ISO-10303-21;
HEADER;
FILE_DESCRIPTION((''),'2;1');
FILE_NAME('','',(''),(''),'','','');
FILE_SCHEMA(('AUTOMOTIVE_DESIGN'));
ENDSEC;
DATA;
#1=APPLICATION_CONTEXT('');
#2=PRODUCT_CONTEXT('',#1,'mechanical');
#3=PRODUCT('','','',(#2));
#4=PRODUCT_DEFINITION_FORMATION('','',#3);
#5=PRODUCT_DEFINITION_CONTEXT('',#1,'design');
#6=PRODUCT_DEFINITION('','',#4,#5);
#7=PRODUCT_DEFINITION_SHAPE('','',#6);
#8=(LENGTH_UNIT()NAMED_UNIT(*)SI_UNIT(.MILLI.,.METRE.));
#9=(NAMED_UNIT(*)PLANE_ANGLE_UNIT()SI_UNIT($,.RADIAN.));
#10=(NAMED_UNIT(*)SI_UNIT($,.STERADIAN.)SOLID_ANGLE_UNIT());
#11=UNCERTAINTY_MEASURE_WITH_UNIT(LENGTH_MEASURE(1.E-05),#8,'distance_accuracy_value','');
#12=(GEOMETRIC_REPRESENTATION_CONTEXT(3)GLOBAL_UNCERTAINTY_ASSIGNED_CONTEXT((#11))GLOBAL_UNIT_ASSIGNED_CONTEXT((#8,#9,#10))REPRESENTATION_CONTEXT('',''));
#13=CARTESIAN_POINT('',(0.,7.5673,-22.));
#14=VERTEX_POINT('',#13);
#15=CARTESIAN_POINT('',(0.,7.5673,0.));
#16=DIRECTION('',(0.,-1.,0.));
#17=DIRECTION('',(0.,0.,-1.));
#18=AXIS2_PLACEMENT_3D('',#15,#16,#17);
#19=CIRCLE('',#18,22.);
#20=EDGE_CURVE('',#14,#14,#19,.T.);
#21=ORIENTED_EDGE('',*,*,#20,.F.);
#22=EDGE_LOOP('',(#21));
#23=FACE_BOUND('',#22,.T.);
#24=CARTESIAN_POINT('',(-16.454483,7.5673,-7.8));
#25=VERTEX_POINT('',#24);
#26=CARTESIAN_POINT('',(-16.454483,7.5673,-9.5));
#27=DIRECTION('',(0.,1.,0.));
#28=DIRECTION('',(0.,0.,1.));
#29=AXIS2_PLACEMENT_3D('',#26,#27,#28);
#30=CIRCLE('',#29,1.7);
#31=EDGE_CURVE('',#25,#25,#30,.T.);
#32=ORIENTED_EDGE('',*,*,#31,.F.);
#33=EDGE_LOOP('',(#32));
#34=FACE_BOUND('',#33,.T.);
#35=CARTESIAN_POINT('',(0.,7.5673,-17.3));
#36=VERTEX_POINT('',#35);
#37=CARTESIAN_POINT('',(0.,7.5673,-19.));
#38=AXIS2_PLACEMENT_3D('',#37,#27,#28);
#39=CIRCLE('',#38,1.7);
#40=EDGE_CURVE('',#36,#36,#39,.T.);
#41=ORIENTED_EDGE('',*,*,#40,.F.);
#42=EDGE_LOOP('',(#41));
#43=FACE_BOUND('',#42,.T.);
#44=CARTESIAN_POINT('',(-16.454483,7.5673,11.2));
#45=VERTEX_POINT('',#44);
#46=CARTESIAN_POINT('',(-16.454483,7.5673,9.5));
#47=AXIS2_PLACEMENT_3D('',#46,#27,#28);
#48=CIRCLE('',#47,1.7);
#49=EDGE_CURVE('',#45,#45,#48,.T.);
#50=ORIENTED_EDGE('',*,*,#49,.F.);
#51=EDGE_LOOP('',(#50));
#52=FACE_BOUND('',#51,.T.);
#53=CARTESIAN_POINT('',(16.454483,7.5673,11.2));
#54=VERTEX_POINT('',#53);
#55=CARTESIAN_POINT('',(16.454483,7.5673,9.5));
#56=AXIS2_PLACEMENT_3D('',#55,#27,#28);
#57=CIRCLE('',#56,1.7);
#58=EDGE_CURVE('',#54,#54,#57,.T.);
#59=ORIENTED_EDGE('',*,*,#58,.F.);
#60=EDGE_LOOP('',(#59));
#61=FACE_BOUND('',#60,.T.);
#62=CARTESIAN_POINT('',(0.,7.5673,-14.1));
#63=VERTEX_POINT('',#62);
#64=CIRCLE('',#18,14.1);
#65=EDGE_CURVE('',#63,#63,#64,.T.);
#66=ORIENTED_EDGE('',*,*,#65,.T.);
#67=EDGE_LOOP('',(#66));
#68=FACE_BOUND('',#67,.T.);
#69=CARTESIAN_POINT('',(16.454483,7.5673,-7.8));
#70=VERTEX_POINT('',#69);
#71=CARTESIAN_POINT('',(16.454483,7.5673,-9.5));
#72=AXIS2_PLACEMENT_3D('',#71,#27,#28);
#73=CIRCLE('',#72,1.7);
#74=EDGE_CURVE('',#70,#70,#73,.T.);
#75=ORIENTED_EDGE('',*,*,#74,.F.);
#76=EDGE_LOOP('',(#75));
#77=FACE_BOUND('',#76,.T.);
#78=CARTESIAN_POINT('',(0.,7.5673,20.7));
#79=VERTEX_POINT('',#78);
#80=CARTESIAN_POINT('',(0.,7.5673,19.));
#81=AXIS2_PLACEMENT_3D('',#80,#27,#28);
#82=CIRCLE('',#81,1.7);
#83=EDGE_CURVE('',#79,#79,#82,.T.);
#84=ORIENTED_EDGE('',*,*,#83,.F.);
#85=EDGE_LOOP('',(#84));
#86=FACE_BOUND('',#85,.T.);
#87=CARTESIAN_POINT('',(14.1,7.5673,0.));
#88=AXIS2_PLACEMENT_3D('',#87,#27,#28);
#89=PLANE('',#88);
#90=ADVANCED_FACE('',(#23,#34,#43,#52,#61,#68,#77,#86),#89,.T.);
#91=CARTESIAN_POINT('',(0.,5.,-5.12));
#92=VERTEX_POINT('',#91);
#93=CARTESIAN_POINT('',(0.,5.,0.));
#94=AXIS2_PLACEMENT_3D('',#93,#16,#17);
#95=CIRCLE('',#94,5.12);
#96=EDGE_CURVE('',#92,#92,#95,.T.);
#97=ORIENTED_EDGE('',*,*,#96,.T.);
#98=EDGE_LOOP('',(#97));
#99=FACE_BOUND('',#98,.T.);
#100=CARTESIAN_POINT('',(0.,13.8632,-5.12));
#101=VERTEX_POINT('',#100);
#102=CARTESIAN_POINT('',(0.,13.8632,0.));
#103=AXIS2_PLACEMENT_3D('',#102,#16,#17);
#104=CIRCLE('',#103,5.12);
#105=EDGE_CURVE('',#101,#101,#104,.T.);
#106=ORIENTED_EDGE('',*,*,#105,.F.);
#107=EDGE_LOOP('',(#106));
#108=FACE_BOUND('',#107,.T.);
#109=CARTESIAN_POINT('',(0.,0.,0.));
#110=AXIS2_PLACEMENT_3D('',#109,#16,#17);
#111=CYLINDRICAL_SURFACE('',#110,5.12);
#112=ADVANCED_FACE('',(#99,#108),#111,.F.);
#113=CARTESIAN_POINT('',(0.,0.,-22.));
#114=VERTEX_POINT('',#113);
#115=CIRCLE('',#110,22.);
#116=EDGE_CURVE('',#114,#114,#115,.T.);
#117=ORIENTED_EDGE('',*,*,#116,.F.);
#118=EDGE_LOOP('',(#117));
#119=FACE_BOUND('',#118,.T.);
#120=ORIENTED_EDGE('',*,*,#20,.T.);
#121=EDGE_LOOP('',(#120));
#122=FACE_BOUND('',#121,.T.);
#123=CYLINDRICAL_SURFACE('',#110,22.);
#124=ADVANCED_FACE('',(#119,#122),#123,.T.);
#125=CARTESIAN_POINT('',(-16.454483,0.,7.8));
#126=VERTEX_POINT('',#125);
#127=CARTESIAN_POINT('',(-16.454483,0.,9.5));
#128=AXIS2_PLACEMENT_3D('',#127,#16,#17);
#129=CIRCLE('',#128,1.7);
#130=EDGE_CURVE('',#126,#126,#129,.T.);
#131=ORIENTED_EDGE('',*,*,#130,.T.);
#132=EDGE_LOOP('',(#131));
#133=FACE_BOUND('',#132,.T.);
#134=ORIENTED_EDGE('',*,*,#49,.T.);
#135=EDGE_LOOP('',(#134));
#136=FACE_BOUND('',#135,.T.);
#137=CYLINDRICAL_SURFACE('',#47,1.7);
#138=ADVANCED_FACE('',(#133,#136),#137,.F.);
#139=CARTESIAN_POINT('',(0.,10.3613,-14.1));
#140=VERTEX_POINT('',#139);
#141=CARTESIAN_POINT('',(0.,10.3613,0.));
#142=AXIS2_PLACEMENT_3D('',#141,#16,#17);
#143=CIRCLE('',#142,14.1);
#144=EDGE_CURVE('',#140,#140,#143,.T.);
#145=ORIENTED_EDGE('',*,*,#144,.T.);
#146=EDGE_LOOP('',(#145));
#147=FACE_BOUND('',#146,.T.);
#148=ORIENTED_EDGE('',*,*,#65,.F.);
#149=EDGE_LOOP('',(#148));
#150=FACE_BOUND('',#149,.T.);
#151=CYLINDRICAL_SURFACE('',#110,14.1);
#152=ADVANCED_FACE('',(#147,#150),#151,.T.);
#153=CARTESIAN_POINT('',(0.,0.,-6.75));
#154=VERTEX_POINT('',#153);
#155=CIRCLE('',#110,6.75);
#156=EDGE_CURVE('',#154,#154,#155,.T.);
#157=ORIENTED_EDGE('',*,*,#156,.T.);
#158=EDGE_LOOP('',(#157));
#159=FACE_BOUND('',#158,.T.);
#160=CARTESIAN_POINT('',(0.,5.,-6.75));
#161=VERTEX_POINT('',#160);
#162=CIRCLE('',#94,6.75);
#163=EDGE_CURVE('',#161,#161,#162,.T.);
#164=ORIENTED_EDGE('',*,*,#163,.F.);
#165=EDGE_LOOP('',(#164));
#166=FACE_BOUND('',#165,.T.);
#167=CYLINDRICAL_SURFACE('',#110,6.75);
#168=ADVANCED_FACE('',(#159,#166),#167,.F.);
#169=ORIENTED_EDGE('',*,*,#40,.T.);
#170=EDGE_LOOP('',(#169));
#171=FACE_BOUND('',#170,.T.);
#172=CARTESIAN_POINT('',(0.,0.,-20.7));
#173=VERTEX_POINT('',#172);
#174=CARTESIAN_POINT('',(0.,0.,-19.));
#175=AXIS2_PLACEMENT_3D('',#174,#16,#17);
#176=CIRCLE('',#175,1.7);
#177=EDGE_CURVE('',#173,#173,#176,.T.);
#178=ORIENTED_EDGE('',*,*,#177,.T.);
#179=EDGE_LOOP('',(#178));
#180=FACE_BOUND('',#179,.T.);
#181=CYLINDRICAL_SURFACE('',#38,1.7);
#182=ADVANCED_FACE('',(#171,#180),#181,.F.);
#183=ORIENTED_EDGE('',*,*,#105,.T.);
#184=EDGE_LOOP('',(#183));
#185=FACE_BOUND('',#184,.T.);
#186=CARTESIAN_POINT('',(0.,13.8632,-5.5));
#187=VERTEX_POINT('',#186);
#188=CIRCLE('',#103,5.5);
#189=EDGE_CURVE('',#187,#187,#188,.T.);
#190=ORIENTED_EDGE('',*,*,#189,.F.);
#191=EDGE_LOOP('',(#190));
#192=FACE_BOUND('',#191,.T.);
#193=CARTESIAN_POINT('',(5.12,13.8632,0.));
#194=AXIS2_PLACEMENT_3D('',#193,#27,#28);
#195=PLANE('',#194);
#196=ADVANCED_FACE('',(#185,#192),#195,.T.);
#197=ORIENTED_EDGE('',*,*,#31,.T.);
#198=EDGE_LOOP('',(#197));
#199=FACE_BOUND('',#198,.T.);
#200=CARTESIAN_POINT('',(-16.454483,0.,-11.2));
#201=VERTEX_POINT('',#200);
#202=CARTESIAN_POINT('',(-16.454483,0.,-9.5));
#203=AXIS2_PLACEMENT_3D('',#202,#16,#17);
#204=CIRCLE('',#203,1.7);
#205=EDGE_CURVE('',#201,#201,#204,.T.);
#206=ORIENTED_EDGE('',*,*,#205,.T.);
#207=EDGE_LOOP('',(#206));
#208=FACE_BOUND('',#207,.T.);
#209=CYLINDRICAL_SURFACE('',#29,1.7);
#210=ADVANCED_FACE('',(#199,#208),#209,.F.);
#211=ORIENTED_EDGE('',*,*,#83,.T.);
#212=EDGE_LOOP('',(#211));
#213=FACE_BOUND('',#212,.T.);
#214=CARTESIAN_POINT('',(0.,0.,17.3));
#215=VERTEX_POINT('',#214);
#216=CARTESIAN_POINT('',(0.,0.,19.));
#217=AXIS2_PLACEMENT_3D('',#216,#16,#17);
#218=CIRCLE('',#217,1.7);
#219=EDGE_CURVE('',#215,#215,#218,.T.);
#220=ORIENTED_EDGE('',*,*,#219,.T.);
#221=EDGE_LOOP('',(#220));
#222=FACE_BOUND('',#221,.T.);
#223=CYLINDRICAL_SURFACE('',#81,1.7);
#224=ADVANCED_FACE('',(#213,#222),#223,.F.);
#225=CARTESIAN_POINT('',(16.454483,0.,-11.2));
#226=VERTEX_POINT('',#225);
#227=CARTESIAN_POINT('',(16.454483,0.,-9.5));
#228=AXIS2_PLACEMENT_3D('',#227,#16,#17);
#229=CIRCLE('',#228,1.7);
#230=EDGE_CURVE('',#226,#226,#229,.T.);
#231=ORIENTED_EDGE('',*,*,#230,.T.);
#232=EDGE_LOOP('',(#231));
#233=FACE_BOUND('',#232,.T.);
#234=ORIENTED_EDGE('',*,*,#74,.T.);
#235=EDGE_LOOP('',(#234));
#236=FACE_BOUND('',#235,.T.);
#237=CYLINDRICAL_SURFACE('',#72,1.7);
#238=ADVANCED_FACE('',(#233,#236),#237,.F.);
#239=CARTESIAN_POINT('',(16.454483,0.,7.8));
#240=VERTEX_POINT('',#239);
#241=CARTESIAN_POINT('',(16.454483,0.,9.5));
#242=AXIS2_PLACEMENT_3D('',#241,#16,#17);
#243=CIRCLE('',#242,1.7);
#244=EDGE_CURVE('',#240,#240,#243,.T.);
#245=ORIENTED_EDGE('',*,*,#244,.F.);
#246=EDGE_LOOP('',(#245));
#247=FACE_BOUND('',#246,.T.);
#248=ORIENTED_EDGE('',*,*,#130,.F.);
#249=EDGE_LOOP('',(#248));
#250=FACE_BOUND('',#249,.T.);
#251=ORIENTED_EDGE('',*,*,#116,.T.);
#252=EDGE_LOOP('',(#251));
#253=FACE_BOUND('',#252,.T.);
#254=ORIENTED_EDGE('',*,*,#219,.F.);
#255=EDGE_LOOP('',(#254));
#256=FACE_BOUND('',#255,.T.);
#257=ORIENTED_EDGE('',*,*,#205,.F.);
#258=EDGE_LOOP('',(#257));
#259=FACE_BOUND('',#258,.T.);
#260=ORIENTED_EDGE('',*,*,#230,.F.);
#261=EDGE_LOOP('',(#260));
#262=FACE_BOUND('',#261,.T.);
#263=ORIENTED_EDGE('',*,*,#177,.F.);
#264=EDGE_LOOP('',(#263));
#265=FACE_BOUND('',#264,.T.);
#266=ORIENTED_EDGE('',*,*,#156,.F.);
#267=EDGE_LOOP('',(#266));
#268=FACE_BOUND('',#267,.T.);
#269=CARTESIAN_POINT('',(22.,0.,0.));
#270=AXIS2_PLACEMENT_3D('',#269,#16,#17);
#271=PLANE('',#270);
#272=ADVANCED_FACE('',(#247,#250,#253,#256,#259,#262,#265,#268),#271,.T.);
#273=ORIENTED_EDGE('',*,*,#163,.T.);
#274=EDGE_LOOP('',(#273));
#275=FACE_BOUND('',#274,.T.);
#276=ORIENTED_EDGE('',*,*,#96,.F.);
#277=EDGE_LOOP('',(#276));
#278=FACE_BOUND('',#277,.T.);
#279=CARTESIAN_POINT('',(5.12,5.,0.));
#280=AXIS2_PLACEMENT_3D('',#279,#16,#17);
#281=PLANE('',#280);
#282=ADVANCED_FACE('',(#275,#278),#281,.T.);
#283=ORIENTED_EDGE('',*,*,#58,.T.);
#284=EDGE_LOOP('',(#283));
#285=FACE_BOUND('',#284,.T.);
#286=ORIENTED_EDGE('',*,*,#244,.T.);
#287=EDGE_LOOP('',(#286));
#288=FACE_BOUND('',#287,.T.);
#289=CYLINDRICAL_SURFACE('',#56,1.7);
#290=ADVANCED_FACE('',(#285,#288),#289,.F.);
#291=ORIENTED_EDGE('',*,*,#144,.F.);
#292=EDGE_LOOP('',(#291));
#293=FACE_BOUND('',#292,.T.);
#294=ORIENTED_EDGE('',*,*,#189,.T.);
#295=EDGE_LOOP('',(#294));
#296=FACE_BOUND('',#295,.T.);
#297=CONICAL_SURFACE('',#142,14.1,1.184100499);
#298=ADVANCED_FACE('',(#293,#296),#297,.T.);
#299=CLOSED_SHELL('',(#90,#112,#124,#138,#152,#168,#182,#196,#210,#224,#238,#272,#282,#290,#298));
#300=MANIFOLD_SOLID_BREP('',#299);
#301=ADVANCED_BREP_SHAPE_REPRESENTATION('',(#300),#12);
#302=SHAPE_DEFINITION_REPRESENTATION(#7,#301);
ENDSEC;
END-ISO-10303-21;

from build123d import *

# Parameters (mm, degrees)
M3_CLEARANCE_HOLE1_D     = 3.4
M3_CLEARANCE_HOLE1_DEPTH = 7.5673


with BuildPart() as part:
    # Sketch1 → Revolve1 (revolve)
    with BuildSketch(Plane.XY, mode=Mode.PRIVATE) as revolve1_sk:
        Polygon((5.12, 5), (5.12, 13.8632), (5.5, 13.8632), (14.1, 10.3613), (14.1, 7.5673), (22, 7.5673), (22, 0), (6.75, 0), (6.75, 5), align=None)
    revolve(revolve1_sk.sketch.rotate(Axis((0, 0, 0), (0, 1, 0)), 90), axis=Axis((0, 0, 0), (0, 1, 0)))

    # M3 Clearance Hole1
    with Locations(Plane(origin=(0, 7.5673, 0), x_dir=(1, 0, 0), z_dir=(0, 1, 0))):
        with Locations((0, 19), (16.454482672, 9.5), (16.454482672, -9.5), (0, -19), (-16.454482672, -9.5), (-16.454482672, 9.5), (0, 0)):
            Hole(M3_CLEARANCE_HOLE1_D / 2, depth=M3_CLEARANCE_HOLE1_DEPTH)


solid = part.part
